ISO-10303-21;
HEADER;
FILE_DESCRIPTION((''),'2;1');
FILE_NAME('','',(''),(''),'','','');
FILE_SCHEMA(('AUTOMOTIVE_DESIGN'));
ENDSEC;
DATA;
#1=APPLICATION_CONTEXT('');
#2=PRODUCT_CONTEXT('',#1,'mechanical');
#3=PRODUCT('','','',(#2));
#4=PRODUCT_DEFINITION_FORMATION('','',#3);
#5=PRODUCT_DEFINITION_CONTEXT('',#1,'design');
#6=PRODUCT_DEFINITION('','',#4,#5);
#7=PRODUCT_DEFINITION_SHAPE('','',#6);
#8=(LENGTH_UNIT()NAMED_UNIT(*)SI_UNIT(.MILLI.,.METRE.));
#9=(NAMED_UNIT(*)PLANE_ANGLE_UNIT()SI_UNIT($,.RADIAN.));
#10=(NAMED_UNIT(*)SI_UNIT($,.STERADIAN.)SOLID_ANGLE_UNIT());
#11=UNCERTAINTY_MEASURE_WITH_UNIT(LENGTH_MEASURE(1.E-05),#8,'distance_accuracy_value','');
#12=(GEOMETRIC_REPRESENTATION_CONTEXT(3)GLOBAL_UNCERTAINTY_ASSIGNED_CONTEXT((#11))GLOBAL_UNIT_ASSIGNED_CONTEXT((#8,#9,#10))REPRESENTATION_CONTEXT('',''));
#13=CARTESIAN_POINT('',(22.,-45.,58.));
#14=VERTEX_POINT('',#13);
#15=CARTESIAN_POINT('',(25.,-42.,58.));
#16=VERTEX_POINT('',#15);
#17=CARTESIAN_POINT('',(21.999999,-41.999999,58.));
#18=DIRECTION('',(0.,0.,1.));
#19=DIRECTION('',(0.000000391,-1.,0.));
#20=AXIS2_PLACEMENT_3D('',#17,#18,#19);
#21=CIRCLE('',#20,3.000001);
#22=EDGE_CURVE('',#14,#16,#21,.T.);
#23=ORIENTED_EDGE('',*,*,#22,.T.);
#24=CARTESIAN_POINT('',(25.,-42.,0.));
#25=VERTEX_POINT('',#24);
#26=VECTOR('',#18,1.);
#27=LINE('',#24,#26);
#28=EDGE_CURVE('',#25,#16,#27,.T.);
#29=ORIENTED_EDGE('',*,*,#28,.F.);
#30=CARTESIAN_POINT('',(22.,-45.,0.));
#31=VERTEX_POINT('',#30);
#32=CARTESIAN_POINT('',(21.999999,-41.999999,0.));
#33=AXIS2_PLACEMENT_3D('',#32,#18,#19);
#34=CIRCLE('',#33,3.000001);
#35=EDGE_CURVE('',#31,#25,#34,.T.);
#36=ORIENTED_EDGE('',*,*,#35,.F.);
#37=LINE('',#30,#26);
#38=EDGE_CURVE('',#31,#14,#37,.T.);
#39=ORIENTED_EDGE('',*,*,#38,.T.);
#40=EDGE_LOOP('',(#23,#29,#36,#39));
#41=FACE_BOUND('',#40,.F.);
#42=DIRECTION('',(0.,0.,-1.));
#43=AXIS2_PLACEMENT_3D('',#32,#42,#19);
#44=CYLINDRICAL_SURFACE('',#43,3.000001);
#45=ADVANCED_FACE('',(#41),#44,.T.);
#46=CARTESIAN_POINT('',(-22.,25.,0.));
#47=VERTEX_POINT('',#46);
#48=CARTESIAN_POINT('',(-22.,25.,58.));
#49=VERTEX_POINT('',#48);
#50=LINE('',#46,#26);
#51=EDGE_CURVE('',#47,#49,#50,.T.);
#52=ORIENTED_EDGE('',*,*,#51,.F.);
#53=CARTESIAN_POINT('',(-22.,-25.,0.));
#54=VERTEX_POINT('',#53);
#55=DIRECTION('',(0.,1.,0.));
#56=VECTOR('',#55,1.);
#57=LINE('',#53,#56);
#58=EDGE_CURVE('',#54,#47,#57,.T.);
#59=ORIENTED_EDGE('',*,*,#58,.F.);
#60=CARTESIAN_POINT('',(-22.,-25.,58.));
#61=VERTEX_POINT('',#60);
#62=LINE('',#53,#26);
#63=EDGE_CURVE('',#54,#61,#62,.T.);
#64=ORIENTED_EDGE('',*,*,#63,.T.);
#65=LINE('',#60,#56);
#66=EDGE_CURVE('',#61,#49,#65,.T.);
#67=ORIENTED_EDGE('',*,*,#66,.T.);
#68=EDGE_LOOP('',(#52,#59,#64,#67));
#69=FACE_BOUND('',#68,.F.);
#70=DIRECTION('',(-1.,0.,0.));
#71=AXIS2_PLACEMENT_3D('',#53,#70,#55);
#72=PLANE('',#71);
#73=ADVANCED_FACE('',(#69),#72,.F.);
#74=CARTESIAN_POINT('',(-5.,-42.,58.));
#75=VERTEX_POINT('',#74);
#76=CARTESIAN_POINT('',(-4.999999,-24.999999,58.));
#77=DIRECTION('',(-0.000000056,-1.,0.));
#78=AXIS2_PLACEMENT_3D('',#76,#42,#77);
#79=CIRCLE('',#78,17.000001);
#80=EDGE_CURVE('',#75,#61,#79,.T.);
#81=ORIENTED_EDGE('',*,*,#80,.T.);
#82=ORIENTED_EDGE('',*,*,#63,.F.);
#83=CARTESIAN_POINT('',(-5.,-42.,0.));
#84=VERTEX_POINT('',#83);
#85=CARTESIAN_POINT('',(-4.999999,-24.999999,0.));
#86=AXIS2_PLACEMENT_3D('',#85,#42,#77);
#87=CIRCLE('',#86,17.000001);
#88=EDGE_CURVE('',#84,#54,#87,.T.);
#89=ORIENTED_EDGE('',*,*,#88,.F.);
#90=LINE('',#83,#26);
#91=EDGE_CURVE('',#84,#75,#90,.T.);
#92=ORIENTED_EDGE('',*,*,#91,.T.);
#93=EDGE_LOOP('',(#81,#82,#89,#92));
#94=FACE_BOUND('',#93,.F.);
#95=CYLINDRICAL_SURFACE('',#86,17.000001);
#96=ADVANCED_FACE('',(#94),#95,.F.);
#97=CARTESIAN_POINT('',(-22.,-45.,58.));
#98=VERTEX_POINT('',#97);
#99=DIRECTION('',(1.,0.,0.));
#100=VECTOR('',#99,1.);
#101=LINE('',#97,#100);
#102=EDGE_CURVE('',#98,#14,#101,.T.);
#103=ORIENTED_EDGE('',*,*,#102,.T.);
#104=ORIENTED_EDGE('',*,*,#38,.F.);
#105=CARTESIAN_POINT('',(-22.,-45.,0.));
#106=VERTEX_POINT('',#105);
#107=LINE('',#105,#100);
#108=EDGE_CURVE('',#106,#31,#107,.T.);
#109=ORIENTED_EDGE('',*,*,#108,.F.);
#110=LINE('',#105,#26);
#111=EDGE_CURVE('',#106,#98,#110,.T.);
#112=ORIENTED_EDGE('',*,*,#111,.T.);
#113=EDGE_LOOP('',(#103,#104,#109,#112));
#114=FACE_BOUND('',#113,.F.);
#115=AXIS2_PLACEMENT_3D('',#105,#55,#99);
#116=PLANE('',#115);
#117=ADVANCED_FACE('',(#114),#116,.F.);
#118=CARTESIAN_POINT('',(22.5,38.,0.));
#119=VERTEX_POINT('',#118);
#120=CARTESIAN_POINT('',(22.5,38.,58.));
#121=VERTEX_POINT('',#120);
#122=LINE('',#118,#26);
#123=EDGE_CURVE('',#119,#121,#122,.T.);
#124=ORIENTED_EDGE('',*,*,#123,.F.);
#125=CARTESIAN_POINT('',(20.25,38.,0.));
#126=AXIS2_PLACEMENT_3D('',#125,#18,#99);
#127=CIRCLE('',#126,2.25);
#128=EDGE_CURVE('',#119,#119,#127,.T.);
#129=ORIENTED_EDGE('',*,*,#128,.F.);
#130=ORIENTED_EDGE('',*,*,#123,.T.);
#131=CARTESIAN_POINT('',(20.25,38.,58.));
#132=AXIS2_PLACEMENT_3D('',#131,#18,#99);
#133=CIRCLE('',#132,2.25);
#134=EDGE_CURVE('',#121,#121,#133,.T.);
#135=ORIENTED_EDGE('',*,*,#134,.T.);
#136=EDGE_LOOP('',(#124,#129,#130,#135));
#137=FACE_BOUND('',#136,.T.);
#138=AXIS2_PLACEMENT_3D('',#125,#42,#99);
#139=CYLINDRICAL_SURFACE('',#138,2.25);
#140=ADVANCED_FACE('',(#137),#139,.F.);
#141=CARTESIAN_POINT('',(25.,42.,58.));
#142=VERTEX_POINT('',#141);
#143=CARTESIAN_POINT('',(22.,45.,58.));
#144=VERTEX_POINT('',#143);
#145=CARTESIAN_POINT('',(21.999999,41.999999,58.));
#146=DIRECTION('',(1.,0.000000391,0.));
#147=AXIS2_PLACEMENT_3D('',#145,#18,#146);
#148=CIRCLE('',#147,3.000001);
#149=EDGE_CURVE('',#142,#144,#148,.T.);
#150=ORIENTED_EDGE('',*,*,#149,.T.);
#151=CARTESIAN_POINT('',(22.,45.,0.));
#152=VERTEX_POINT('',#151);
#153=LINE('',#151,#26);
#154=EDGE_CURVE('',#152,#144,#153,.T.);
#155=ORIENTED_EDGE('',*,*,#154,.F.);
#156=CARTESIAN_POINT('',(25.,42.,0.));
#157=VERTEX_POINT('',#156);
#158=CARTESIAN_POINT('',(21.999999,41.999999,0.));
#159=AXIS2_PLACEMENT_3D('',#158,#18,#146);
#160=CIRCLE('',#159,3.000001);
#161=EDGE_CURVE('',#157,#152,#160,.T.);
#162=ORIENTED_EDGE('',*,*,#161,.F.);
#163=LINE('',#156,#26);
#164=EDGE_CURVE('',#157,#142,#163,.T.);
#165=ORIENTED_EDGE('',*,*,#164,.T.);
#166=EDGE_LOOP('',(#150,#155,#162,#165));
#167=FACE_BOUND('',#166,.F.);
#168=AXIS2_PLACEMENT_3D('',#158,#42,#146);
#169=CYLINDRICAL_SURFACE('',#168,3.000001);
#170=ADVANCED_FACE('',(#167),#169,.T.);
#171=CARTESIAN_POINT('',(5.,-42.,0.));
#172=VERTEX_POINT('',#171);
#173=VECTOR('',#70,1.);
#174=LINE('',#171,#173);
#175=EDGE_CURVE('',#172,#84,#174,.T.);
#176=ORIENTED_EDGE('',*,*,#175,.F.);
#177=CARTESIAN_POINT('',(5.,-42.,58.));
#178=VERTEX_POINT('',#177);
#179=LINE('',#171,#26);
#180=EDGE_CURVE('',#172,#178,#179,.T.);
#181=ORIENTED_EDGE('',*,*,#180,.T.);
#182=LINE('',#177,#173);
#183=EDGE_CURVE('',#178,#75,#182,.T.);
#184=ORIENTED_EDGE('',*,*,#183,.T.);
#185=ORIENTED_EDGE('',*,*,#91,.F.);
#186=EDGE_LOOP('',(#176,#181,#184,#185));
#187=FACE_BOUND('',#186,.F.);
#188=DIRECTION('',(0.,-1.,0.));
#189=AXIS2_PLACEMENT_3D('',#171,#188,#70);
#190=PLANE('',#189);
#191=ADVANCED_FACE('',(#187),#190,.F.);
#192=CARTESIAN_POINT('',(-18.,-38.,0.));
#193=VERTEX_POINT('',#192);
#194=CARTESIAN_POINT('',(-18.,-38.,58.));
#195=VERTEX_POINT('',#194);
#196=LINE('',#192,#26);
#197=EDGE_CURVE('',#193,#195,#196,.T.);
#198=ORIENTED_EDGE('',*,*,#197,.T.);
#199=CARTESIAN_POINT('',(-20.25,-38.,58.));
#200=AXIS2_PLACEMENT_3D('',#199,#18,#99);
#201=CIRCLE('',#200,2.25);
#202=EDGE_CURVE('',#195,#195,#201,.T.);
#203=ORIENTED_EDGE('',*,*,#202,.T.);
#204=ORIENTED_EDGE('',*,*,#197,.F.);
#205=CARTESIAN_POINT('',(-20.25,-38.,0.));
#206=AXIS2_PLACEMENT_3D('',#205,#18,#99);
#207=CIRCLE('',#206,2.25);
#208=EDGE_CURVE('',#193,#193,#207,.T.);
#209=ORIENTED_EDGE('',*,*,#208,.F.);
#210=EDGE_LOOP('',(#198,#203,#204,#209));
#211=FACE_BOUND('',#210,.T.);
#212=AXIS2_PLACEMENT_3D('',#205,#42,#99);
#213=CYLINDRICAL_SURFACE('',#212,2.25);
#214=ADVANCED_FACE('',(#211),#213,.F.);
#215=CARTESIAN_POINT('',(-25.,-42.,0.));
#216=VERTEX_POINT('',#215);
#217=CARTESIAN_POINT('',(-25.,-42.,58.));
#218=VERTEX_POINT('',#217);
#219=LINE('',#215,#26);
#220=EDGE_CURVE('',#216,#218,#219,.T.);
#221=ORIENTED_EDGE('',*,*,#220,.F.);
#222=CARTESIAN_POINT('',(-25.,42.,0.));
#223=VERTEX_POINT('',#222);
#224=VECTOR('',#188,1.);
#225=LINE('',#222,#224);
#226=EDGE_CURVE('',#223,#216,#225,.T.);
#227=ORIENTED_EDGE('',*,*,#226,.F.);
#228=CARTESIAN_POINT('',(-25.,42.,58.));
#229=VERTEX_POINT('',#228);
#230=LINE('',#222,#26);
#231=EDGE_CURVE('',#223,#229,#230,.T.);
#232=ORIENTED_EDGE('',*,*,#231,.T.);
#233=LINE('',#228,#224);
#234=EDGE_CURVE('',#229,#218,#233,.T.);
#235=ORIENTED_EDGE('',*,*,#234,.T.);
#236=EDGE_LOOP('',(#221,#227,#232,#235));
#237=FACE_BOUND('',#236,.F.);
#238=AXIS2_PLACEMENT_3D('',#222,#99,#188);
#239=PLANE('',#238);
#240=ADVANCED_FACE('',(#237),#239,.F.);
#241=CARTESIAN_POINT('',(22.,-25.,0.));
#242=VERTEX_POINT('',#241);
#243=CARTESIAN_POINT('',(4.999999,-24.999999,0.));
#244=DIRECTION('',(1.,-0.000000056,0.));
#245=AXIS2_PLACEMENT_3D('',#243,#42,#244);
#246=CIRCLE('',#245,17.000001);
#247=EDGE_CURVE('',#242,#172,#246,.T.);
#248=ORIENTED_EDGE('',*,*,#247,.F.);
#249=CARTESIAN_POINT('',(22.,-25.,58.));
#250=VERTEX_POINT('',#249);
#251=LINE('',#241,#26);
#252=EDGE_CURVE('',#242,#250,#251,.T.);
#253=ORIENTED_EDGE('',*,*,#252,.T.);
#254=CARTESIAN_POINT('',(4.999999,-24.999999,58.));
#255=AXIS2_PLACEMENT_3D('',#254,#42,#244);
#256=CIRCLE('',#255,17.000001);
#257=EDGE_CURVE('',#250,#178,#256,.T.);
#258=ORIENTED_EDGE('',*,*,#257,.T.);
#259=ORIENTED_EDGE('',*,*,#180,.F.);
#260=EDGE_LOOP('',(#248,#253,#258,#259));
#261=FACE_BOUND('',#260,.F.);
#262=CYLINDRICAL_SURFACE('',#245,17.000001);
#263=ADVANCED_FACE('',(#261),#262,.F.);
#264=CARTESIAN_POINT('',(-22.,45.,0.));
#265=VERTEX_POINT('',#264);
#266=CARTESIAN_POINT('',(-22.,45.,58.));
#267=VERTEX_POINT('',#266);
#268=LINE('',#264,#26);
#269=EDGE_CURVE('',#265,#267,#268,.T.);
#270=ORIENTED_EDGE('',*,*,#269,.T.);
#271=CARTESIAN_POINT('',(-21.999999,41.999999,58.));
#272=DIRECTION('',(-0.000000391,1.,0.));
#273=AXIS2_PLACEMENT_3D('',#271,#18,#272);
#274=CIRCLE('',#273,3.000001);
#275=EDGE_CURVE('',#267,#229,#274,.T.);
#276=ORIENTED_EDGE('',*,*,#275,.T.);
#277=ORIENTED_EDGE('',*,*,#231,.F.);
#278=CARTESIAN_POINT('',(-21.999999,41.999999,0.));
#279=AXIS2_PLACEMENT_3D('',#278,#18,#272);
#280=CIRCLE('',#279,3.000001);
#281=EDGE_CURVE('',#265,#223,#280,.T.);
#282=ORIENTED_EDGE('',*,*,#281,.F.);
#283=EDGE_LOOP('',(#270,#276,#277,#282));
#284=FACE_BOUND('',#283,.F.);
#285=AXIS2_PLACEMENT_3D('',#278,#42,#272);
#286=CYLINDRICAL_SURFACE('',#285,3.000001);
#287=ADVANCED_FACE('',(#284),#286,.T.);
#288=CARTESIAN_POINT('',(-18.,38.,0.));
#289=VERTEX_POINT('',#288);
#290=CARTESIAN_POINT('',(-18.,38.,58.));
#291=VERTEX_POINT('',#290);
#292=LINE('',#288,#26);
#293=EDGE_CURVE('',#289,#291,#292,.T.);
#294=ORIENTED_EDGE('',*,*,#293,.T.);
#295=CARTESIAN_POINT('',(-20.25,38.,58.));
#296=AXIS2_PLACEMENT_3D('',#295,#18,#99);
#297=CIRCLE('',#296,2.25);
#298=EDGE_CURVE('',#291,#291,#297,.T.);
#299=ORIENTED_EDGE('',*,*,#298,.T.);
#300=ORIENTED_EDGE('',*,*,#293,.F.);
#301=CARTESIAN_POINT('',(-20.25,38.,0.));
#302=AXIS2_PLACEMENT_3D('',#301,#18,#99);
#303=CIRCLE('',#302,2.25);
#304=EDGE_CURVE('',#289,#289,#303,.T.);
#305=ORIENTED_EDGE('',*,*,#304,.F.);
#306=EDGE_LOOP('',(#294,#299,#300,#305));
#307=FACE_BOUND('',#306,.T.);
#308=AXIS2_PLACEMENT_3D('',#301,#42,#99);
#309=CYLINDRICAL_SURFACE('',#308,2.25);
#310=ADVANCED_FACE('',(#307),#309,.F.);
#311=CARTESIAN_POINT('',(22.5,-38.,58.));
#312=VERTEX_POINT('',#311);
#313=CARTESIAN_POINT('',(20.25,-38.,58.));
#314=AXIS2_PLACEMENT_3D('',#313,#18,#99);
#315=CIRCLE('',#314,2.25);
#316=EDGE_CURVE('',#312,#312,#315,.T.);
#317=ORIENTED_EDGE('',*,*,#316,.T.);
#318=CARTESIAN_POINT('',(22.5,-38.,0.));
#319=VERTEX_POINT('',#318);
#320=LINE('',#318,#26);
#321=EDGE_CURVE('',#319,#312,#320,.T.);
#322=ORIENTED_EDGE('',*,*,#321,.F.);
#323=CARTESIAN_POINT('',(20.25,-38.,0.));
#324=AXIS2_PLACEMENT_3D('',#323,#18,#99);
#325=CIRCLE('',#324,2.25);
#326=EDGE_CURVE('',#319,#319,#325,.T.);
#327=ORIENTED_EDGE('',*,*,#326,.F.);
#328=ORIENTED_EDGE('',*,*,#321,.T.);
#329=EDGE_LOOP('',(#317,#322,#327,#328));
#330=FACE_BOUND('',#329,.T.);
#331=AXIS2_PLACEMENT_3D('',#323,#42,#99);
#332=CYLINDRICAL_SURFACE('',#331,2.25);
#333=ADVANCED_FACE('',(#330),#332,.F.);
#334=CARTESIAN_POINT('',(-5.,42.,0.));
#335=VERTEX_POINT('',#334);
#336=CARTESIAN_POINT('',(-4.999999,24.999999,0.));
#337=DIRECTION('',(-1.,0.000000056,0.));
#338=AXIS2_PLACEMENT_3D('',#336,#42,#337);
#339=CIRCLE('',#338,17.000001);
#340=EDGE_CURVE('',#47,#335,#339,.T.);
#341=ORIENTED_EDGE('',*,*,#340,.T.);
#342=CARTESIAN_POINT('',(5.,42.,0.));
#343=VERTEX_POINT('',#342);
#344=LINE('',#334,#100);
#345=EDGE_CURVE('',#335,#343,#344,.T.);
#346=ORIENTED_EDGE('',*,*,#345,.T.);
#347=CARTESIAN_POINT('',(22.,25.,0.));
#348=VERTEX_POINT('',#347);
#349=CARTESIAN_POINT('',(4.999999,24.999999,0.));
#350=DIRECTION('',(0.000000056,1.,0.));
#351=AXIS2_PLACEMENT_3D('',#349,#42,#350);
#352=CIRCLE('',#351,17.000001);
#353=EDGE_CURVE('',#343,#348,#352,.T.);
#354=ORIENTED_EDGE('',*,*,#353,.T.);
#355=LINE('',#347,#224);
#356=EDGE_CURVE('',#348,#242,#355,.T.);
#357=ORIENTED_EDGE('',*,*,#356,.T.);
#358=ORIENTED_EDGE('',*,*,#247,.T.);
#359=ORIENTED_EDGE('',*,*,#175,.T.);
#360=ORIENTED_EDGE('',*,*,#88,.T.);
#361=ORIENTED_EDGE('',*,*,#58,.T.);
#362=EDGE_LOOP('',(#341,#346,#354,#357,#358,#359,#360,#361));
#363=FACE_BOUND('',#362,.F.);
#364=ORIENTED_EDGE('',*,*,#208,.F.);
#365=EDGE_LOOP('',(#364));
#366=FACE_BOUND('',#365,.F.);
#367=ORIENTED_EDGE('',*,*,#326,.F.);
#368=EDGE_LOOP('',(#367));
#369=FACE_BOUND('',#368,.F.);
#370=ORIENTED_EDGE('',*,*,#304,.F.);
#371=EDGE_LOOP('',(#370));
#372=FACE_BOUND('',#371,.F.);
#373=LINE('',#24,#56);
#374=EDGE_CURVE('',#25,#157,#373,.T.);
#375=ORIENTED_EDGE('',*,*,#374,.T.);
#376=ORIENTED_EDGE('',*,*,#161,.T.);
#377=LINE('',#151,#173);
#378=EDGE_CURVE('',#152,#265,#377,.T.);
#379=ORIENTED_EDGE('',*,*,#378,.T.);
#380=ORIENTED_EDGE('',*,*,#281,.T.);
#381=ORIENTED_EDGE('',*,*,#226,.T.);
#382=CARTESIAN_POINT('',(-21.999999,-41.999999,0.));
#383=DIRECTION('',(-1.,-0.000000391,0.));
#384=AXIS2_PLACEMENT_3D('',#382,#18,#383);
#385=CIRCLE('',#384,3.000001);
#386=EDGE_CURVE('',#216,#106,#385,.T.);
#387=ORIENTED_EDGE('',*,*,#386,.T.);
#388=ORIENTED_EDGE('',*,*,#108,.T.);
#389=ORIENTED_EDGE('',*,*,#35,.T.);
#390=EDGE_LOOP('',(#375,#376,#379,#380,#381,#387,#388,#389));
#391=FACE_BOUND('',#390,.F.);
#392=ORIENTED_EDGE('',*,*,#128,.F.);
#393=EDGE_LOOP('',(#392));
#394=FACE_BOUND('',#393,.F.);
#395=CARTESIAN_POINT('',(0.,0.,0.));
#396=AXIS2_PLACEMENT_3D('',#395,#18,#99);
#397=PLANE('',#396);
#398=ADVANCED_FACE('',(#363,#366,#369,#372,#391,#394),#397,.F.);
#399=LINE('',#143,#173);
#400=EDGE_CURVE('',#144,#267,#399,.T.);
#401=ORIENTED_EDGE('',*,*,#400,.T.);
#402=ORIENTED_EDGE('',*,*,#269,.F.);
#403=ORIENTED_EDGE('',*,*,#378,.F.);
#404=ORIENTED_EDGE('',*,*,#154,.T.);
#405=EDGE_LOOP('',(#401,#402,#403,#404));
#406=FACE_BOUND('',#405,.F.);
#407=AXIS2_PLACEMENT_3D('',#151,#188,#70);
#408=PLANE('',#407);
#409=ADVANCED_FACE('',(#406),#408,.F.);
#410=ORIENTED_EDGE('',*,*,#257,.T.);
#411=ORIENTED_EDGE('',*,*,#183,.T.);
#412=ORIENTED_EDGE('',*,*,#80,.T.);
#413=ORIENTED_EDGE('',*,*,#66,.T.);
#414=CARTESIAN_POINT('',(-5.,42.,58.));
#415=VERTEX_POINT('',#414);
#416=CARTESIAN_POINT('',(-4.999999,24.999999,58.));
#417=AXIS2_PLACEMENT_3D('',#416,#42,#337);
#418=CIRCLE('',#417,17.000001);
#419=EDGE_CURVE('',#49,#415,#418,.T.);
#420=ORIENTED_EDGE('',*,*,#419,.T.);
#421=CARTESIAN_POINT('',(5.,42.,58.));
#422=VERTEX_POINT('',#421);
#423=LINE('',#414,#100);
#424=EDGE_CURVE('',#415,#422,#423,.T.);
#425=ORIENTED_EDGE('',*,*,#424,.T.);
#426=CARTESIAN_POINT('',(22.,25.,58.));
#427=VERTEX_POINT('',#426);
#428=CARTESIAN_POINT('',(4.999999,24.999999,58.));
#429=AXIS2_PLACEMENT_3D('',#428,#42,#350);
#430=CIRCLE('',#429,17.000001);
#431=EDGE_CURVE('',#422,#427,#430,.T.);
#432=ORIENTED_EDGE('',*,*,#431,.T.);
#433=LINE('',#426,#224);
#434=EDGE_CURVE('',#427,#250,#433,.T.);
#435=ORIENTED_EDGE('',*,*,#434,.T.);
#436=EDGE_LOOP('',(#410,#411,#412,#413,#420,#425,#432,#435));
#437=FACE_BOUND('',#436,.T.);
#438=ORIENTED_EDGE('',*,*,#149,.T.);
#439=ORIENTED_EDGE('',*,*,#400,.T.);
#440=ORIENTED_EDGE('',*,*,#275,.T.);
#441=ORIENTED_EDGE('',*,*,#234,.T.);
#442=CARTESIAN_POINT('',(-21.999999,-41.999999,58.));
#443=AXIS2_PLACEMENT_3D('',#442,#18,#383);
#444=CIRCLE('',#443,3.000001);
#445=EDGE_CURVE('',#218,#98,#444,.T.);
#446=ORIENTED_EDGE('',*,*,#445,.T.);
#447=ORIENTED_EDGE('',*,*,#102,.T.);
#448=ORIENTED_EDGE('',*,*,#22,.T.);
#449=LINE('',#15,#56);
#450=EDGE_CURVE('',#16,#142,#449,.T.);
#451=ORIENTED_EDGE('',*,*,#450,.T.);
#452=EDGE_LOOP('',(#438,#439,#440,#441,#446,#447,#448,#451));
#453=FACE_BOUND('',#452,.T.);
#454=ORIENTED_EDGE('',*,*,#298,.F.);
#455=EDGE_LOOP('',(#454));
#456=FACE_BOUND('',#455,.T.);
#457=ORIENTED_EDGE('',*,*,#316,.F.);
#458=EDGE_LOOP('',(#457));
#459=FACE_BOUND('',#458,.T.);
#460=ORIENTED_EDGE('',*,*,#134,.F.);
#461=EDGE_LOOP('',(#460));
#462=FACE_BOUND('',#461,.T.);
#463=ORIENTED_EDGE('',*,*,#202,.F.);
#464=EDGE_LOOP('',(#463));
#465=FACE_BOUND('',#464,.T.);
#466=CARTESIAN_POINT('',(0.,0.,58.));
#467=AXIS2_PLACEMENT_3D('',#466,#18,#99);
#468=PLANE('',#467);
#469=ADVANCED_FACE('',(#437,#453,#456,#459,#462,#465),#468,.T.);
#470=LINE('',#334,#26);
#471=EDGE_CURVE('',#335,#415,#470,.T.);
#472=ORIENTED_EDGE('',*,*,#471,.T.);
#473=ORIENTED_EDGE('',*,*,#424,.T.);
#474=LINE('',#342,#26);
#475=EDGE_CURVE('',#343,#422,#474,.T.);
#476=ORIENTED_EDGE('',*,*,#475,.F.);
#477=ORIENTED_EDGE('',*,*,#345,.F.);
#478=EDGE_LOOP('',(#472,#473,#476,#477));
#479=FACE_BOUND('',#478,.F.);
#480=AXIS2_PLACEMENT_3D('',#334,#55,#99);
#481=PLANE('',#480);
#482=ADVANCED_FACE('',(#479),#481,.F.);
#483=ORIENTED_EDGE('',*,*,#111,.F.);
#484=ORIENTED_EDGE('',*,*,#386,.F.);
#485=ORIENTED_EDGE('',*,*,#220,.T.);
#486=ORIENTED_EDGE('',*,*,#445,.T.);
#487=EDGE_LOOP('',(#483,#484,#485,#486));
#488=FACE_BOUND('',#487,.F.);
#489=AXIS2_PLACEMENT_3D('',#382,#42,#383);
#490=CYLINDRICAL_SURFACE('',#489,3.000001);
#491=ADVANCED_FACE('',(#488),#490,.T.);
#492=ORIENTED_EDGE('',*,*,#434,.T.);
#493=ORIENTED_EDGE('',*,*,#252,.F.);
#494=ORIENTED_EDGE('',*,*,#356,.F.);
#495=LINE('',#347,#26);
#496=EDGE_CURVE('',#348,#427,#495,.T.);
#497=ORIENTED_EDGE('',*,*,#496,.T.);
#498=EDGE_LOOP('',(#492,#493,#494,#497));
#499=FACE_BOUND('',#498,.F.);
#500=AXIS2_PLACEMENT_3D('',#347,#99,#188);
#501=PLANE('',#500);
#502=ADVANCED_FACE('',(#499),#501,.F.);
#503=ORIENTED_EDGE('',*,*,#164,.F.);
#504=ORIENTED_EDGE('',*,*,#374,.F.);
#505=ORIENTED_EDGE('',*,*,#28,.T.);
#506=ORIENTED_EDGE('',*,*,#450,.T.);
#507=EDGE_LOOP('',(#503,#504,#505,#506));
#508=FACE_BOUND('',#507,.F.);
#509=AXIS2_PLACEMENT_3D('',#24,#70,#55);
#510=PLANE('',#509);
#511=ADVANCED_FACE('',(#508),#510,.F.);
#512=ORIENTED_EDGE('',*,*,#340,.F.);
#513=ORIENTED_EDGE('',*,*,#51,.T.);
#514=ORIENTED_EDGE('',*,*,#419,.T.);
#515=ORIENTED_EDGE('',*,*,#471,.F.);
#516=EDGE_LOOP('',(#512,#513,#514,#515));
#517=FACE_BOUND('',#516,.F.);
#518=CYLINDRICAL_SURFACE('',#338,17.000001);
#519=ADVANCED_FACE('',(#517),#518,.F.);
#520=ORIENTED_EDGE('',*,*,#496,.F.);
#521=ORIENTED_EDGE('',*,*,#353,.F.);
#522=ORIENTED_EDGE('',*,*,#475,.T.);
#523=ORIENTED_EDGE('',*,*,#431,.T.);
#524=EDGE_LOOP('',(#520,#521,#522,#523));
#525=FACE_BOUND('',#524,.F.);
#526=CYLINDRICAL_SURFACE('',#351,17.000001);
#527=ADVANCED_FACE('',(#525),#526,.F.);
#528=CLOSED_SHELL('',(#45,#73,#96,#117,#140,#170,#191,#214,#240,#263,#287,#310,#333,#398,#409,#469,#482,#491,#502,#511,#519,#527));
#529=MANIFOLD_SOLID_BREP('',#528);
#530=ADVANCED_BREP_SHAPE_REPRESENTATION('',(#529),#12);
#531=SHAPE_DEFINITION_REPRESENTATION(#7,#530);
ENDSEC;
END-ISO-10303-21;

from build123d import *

# Parameters (mm, degrees)
F0_R     = 2.25
F1_DEPTH = 58


with BuildPart() as f1:
    # F0 (on Top) → F1 (new body)
    with BuildSketch(Plane.XY):
        with BuildLine():
            Line((-22, -45), (22, -45))
            ThreePointArc((22, -45), (24.12132, -44.12132), (25, -42))
            Line((25, -42), (25, 42))
            ThreePointArc((25, 42), (24.12132, 44.12132), (22, 45))
            Line((22, 45), (-22, 45))
            ThreePointArc((-22, 45), (-24.12132, 44.12132), (-25, 42))
            Line((-25, 42), (-25, -42))
            ThreePointArc((-25, -42), (-24.12132, -44.12132), (-22, -45))
        make_face()
        with Locations((-20.25, -38)):
            Circle(F0_R, mode=Mode.SUBTRACT)
        with Locations((20.25, -38)):
            Circle(F0_R, mode=Mode.SUBTRACT)
        with Locations((-20.25, 38)):
            Circle(F0_R, mode=Mode.SUBTRACT)
        with BuildLine():
            ThreePointArc((22, -25), (17.020815, -37.020815), (5, -42))
            Line((5, -42), (-5, -42))
            ThreePointArc((-5, -42), (-17.020815, -37.020815), (-22, -25))
            Line((-22, -25), (-22, 25))
            ThreePointArc((-22, 25), (-17.020815, 37.020815), (-5, 42))
            Line((-5, 42), (5, 42))
            ThreePointArc((5, 42), (17.020815, 37.020815), (22, 25))
            Line((22, 25), (22, -25))
        make_face(mode=Mode.SUBTRACT)
        with Locations((20.25, 38)):
            Circle(F0_R, mode=Mode.SUBTRACT)
    extrude(amount=F1_DEPTH)


solid = f1.part
